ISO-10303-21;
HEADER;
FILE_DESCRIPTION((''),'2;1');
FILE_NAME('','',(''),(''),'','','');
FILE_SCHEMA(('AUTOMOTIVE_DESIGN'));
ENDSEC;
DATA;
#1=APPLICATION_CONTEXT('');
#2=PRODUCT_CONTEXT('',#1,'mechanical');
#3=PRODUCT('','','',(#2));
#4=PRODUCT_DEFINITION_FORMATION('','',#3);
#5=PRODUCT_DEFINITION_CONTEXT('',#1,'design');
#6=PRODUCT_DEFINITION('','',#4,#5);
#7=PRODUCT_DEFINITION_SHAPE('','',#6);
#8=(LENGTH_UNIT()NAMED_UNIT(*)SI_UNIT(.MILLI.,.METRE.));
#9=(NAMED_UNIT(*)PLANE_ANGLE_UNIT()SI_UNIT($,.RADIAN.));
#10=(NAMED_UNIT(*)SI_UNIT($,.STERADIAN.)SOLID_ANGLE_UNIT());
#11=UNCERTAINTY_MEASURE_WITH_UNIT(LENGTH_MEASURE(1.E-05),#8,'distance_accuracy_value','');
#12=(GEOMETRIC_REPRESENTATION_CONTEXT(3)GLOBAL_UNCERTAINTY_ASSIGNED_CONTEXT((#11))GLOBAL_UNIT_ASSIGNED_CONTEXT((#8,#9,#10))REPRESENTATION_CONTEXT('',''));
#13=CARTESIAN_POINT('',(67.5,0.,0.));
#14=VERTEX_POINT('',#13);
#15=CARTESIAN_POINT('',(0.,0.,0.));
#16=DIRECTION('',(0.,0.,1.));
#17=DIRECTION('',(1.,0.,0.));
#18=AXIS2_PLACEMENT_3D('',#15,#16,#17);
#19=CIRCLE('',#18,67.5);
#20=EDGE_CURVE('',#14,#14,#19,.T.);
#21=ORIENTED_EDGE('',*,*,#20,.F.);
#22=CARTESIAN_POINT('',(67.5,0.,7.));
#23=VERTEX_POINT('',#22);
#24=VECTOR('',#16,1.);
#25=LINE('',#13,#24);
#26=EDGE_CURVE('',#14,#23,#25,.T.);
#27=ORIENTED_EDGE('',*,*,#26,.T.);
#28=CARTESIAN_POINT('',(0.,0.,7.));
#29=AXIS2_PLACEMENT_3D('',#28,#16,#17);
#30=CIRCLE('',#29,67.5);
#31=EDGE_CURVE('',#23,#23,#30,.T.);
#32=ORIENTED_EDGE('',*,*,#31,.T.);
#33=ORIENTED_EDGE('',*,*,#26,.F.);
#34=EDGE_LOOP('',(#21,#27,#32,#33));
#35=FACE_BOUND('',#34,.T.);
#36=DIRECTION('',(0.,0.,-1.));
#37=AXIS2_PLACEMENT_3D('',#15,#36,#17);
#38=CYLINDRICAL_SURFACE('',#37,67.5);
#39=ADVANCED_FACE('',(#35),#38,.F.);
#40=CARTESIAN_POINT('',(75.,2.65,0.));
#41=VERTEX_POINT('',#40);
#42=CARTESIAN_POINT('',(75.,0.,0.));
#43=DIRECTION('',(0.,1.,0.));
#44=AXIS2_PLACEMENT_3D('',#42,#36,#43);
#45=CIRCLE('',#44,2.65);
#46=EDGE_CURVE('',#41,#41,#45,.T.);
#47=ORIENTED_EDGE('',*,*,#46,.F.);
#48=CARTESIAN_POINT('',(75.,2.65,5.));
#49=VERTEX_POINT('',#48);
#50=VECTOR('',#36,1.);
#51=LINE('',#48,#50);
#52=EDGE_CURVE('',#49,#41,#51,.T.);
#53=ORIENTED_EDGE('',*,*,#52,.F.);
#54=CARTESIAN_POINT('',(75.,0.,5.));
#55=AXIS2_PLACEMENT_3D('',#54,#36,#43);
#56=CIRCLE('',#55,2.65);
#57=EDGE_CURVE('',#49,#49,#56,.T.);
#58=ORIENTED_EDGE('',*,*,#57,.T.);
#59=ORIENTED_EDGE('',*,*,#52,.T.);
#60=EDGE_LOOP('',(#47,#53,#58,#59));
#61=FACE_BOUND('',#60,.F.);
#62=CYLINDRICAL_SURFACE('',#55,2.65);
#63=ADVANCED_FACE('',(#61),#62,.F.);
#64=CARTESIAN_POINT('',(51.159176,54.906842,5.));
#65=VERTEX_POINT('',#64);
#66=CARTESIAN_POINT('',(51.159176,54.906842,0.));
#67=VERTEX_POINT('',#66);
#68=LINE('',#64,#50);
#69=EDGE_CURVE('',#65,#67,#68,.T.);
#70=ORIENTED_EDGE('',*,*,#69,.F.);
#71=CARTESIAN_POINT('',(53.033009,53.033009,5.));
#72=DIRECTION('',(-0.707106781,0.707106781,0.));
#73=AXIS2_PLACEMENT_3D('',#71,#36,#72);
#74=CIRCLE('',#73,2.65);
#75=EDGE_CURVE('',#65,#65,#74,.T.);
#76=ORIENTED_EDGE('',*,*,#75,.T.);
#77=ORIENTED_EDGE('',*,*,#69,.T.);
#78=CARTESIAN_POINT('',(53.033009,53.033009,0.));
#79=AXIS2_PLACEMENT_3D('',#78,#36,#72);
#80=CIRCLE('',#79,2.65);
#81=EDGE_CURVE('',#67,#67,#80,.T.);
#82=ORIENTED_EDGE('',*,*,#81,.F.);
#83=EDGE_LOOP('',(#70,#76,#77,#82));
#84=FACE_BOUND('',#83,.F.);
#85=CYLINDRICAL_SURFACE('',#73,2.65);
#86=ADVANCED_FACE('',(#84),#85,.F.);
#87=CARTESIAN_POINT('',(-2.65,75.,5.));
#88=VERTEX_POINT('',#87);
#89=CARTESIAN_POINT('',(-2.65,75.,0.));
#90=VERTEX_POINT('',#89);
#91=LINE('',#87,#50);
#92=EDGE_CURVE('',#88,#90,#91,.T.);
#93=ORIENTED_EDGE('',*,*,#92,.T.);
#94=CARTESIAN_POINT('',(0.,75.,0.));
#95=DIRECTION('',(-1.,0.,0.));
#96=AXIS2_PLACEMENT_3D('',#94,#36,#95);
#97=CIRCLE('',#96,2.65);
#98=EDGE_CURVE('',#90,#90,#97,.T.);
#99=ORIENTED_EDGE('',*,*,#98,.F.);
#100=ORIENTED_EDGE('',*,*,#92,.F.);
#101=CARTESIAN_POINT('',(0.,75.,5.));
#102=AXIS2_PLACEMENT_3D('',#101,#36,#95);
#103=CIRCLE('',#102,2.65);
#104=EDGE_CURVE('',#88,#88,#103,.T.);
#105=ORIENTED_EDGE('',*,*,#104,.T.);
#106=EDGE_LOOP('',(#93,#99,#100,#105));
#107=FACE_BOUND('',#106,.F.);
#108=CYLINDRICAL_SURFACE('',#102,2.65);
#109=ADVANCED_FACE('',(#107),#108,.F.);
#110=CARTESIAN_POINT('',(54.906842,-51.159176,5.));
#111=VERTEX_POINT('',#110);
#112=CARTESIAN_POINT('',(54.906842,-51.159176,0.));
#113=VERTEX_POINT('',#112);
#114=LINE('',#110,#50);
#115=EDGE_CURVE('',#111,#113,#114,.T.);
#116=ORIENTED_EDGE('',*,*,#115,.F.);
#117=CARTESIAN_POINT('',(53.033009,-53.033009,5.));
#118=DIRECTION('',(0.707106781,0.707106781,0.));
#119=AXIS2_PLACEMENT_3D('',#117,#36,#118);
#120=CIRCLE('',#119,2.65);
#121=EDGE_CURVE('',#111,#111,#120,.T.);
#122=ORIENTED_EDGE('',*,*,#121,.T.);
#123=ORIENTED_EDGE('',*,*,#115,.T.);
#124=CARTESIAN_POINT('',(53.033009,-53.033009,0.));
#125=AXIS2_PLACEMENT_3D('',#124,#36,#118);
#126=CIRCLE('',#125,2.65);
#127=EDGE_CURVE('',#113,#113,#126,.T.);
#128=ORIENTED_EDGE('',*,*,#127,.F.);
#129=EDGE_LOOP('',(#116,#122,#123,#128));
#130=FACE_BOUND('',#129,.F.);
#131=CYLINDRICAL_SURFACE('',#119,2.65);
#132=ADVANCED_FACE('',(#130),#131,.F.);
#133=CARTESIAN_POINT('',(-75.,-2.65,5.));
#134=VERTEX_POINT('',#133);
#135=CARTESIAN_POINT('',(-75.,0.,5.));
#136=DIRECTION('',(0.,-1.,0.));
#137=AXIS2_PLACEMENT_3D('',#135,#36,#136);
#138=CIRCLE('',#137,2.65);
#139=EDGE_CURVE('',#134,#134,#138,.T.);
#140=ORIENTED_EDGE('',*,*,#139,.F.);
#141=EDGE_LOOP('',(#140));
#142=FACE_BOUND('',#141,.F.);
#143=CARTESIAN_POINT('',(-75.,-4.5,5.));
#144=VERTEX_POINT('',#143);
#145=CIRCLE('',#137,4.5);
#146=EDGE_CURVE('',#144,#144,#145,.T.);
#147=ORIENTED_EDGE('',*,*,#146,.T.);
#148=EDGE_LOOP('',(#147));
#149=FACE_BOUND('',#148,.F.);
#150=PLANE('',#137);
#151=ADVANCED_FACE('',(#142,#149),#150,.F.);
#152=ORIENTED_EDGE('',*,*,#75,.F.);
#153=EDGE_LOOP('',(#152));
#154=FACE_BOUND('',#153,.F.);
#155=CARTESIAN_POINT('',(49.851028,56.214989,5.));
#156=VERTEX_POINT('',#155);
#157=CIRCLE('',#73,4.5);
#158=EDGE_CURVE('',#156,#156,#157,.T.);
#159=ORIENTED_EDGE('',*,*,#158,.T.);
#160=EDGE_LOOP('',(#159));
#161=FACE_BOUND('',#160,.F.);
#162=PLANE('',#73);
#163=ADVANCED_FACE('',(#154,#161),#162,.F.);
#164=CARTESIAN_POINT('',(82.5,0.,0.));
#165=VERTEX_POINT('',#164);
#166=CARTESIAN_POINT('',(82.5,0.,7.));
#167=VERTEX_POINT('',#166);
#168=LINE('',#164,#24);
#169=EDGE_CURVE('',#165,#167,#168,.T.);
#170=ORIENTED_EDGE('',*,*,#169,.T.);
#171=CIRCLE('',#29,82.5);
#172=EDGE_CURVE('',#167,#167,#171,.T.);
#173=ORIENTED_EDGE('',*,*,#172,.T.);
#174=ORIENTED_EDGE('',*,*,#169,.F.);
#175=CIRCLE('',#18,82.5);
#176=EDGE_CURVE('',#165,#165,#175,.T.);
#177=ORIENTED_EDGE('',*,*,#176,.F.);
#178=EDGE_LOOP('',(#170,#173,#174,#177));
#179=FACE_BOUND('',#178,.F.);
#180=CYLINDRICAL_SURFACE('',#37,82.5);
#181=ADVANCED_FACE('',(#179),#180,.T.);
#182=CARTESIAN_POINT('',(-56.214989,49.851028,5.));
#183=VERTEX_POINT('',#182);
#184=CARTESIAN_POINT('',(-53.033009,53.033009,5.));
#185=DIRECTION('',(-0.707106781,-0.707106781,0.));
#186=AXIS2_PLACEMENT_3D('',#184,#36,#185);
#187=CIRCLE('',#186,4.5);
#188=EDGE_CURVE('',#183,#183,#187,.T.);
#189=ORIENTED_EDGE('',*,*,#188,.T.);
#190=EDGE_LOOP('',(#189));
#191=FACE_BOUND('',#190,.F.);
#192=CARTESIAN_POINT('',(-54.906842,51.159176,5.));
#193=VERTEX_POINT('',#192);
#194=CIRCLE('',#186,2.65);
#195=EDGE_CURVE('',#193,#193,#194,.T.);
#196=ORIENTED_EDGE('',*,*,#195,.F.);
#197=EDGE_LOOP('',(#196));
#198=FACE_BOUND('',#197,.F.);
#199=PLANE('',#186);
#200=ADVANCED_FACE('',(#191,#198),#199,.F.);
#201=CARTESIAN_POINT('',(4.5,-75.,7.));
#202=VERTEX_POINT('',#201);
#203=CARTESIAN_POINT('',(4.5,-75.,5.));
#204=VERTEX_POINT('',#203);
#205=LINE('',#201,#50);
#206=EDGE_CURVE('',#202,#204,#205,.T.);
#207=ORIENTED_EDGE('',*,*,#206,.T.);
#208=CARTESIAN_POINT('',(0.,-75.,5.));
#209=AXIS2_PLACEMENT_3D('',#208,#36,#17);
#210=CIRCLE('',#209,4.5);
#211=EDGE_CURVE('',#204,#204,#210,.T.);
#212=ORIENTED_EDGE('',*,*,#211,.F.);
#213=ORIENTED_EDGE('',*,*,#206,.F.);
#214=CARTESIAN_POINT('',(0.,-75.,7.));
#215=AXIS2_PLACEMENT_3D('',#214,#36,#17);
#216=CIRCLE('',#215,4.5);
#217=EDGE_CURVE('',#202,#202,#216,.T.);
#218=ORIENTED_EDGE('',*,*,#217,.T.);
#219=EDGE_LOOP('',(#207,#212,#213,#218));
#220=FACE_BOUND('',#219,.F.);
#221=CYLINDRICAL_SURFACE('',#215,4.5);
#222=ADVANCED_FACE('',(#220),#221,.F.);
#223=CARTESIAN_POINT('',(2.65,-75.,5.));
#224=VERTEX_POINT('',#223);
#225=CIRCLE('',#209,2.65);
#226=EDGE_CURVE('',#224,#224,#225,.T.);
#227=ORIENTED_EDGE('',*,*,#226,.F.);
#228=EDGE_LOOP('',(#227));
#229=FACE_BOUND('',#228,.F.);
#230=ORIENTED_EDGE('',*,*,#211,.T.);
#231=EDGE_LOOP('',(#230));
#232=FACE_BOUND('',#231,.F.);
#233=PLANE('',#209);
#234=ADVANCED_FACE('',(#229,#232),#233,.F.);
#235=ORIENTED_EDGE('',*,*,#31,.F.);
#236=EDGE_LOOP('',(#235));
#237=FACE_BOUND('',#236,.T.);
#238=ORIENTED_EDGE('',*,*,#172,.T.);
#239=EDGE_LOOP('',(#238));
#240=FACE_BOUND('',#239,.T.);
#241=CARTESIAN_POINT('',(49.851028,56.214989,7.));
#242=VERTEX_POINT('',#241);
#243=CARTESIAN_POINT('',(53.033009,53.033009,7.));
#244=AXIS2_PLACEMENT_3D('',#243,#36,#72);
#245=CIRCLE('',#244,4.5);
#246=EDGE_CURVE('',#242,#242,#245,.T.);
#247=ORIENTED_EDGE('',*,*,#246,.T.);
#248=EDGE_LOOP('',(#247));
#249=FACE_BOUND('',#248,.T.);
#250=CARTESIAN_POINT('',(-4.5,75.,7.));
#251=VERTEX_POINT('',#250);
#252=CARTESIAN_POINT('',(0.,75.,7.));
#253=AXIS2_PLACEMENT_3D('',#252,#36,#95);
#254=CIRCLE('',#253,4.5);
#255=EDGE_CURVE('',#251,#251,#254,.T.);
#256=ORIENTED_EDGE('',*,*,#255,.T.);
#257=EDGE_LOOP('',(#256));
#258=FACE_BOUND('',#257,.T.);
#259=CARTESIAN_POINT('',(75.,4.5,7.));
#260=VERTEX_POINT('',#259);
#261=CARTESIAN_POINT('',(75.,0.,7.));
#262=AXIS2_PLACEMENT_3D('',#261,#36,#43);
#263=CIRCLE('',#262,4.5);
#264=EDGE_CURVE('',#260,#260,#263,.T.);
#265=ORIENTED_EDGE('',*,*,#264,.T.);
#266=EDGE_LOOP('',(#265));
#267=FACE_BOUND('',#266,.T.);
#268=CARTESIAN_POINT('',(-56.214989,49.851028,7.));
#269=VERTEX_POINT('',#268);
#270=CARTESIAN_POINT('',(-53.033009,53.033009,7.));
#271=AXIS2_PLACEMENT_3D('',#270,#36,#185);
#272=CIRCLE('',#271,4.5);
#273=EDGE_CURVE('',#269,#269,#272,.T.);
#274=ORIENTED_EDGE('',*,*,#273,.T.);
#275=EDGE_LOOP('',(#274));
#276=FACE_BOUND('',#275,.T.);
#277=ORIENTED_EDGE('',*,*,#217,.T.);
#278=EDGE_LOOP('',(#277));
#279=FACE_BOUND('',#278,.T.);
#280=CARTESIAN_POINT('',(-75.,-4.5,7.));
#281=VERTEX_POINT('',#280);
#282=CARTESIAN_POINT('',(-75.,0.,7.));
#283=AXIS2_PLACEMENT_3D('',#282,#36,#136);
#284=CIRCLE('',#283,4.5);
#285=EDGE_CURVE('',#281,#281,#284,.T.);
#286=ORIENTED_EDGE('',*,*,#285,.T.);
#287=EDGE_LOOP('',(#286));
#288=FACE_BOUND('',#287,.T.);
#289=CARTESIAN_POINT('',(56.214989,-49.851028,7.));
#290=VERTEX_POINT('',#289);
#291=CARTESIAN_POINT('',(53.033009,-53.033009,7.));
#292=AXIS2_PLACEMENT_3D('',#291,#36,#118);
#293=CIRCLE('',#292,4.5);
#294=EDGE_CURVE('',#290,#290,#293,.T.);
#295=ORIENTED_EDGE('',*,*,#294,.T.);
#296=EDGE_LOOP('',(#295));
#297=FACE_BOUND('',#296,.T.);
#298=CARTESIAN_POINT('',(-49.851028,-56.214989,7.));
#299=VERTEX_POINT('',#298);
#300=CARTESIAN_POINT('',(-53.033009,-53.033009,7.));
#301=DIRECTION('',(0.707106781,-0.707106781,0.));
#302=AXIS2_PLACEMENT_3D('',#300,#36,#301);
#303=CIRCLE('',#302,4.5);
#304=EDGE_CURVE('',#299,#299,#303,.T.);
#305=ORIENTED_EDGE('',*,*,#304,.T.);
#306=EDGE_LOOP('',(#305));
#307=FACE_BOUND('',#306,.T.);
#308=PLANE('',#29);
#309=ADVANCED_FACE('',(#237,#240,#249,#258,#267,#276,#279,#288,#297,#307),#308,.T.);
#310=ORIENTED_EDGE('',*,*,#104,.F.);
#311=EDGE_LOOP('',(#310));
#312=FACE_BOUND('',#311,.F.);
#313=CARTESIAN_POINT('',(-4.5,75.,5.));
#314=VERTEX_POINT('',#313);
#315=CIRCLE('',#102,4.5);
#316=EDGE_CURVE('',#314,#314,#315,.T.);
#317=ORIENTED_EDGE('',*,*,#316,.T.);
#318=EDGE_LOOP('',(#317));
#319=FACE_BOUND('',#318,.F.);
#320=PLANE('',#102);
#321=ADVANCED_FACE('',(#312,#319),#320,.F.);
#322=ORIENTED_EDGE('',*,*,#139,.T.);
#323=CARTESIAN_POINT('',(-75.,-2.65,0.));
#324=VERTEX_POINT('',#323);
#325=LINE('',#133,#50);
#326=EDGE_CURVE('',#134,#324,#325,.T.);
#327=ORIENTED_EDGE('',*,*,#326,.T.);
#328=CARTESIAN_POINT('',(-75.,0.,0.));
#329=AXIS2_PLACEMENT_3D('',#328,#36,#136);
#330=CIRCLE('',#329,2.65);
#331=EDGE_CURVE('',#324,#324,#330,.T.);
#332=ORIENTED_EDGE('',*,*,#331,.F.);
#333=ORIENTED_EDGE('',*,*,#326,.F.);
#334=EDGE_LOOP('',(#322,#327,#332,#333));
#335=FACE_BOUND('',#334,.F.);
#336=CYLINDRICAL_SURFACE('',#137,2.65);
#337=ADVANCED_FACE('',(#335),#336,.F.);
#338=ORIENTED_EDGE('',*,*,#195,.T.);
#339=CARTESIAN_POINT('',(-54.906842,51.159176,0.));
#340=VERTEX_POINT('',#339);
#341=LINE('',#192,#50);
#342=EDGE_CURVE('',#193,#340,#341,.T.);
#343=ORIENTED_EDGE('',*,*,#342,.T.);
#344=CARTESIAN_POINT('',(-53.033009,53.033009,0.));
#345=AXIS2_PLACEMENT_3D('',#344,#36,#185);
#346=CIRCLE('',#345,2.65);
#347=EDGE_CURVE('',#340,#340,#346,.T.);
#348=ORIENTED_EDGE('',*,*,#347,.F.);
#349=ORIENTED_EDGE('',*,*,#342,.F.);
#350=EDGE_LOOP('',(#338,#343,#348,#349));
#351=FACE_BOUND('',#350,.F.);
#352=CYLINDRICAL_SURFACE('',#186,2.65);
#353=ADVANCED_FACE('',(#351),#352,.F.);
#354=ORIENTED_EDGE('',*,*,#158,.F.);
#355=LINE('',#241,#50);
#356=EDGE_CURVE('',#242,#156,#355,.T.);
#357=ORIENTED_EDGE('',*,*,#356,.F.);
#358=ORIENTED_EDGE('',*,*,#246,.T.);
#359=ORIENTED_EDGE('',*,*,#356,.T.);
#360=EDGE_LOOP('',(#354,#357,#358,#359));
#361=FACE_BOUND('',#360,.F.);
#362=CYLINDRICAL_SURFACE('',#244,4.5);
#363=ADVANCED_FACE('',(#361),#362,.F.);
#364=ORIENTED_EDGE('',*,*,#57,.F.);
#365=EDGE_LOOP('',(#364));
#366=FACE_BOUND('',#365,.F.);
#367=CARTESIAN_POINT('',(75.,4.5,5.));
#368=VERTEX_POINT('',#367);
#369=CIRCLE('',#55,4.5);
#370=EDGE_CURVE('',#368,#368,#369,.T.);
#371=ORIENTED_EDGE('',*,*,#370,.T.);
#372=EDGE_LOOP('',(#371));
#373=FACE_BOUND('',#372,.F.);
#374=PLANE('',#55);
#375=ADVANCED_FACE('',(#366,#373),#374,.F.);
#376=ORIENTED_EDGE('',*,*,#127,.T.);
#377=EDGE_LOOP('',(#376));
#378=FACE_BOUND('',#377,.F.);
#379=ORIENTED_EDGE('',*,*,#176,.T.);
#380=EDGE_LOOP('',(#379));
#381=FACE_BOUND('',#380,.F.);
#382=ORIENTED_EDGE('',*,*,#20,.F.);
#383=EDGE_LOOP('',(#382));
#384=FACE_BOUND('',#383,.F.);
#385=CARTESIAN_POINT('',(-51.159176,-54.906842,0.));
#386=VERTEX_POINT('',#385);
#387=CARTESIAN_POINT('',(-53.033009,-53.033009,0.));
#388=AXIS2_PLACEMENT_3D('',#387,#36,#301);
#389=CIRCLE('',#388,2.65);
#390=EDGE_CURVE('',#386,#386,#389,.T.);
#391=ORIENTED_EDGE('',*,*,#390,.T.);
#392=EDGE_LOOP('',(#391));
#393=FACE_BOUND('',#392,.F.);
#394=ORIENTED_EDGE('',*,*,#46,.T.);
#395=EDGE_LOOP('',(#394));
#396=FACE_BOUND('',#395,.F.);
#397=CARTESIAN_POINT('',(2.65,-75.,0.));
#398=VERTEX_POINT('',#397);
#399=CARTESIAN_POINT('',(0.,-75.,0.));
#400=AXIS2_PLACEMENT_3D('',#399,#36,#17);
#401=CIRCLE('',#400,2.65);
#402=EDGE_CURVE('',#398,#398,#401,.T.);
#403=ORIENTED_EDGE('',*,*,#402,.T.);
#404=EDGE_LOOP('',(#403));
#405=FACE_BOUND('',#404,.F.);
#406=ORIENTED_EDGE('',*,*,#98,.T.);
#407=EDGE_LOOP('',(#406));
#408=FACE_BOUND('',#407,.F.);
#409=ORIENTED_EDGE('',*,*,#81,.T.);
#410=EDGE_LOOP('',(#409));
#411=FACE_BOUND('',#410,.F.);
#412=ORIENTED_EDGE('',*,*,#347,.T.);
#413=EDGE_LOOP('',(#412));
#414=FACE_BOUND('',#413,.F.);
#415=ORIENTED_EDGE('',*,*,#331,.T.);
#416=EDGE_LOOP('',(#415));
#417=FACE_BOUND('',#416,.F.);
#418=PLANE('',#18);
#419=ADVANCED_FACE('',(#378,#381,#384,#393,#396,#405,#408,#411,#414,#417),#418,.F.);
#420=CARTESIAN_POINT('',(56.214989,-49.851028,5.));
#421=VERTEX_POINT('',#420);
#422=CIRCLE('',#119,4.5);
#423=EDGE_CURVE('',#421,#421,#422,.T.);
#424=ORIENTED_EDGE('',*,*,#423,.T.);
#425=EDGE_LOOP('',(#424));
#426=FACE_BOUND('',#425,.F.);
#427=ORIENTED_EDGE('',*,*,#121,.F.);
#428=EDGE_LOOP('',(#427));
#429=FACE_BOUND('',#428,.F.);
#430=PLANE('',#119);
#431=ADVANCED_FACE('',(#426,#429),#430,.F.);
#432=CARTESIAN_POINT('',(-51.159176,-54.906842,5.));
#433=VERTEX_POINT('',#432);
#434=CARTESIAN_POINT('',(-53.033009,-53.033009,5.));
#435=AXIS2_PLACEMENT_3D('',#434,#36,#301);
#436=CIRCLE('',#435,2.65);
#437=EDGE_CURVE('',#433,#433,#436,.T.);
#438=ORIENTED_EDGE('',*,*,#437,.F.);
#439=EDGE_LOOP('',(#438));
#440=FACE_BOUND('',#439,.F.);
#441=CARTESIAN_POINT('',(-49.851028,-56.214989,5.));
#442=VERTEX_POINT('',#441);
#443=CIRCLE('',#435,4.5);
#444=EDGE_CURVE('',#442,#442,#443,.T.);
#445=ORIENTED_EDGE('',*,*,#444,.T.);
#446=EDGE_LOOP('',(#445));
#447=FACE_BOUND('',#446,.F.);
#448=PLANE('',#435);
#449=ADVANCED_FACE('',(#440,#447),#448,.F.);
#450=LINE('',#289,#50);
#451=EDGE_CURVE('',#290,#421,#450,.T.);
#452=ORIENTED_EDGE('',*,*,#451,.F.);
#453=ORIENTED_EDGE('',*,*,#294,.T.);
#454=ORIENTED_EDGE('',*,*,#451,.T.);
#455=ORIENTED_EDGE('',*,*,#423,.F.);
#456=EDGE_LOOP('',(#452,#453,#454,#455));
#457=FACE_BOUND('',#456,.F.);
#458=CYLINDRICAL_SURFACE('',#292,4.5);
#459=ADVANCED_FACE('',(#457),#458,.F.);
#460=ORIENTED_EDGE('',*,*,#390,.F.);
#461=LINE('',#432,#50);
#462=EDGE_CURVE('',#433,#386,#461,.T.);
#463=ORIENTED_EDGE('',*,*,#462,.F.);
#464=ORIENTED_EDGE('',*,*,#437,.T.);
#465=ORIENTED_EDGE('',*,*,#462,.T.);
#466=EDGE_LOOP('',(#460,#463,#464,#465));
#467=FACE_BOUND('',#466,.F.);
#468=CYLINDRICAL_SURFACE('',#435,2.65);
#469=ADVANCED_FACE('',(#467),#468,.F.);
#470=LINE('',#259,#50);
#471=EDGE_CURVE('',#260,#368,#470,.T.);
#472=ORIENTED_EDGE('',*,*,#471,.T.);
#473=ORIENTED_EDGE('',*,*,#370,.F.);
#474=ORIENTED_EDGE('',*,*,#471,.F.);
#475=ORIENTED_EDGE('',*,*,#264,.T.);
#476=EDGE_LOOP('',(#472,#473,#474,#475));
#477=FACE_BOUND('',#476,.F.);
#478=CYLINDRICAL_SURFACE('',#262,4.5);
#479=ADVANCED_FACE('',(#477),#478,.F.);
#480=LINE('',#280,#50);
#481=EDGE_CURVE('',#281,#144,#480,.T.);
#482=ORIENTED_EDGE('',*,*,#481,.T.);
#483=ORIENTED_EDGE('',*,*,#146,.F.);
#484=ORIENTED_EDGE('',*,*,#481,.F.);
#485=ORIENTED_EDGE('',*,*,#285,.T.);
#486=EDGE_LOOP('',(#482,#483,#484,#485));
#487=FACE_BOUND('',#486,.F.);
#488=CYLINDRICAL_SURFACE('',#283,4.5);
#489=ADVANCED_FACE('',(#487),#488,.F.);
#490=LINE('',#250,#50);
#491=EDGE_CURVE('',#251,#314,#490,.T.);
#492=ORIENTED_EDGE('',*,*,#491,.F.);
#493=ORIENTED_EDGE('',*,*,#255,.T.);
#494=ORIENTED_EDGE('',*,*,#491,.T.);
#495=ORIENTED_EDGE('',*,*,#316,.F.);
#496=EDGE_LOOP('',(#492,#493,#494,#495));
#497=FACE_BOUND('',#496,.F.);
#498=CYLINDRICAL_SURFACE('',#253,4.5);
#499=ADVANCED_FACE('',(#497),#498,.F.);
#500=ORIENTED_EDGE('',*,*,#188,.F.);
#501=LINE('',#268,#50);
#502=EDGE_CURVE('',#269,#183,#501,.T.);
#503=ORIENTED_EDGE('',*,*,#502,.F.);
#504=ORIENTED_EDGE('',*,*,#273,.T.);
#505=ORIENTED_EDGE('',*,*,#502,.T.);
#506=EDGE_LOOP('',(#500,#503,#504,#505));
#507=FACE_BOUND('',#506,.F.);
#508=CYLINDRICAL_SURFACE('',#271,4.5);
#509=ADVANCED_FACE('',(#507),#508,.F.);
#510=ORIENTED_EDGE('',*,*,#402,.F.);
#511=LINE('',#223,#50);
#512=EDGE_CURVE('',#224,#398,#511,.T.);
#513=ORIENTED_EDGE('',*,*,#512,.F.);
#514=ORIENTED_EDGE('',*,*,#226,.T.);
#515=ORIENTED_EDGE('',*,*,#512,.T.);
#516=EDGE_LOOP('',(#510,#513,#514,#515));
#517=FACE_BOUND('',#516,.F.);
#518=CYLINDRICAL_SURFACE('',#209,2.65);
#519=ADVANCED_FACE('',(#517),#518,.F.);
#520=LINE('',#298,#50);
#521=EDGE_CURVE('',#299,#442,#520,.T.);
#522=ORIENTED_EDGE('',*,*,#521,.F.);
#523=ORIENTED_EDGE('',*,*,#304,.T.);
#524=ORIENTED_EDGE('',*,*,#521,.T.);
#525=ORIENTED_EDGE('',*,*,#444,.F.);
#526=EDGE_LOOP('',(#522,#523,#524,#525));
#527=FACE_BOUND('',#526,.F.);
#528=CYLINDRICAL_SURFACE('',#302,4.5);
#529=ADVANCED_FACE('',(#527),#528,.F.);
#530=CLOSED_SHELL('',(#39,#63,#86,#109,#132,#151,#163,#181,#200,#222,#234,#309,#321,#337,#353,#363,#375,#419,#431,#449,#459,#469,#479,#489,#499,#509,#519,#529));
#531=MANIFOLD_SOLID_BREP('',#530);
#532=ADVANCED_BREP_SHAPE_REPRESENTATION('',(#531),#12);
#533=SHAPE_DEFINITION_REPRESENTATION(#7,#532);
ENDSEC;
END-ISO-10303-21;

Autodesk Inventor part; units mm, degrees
ref_plane "YZ Plane" through (0, 0, 0) normal (1, 0, 0) x (0, 1, 0)
ref_plane "XZ Plane" through (0, 0, 0) normal (0, 1, 0) x (-1, 0, 0)
ref_plane "XY Plane" through (0, 0, 0) normal (0, 0, 1) x (1, 0, 0)
sketch "Skizze1" plane through (0, 0, 0) normal (0, 0, 1) x (1, 0, 0)
  circle A0 centre (0, 0) radius 67.5
  circle A1 centre (0, 0) radius 82.5
  dimension "d0" = 135
  dimension "d1" = 15
extrude "Extrusion1" add sketch "Skizze1" along normal blind 7
sketch "Skizze2" plane through (0, 0, 7) normal (0, 0, 1) x (1, 0, 0)
  circle A0 centre (0, 0) radius 67.5 projected
  circle A1 centre (0, 0) radius 82.5 projected
  line L0 (0, 0) -> (-82.5, 0) construction
  line L1 (-82.5, 0) -> (-67.5, 0)
  point P0 (-75, 0)
hole "Bohrung1" at (-75, 0, 7) direction (0, 0, -1) diameter 5.3 end through all counterbore diameter 9 counterbore depth 2
pattern_circular "Runde Anordnung1" count 8 over 360 about axis through (0, 0, 0) along (0, 0, 1) of "Bohrung1"
properties part number "_baseBearingMount" material "ABS-Kunststoff"
